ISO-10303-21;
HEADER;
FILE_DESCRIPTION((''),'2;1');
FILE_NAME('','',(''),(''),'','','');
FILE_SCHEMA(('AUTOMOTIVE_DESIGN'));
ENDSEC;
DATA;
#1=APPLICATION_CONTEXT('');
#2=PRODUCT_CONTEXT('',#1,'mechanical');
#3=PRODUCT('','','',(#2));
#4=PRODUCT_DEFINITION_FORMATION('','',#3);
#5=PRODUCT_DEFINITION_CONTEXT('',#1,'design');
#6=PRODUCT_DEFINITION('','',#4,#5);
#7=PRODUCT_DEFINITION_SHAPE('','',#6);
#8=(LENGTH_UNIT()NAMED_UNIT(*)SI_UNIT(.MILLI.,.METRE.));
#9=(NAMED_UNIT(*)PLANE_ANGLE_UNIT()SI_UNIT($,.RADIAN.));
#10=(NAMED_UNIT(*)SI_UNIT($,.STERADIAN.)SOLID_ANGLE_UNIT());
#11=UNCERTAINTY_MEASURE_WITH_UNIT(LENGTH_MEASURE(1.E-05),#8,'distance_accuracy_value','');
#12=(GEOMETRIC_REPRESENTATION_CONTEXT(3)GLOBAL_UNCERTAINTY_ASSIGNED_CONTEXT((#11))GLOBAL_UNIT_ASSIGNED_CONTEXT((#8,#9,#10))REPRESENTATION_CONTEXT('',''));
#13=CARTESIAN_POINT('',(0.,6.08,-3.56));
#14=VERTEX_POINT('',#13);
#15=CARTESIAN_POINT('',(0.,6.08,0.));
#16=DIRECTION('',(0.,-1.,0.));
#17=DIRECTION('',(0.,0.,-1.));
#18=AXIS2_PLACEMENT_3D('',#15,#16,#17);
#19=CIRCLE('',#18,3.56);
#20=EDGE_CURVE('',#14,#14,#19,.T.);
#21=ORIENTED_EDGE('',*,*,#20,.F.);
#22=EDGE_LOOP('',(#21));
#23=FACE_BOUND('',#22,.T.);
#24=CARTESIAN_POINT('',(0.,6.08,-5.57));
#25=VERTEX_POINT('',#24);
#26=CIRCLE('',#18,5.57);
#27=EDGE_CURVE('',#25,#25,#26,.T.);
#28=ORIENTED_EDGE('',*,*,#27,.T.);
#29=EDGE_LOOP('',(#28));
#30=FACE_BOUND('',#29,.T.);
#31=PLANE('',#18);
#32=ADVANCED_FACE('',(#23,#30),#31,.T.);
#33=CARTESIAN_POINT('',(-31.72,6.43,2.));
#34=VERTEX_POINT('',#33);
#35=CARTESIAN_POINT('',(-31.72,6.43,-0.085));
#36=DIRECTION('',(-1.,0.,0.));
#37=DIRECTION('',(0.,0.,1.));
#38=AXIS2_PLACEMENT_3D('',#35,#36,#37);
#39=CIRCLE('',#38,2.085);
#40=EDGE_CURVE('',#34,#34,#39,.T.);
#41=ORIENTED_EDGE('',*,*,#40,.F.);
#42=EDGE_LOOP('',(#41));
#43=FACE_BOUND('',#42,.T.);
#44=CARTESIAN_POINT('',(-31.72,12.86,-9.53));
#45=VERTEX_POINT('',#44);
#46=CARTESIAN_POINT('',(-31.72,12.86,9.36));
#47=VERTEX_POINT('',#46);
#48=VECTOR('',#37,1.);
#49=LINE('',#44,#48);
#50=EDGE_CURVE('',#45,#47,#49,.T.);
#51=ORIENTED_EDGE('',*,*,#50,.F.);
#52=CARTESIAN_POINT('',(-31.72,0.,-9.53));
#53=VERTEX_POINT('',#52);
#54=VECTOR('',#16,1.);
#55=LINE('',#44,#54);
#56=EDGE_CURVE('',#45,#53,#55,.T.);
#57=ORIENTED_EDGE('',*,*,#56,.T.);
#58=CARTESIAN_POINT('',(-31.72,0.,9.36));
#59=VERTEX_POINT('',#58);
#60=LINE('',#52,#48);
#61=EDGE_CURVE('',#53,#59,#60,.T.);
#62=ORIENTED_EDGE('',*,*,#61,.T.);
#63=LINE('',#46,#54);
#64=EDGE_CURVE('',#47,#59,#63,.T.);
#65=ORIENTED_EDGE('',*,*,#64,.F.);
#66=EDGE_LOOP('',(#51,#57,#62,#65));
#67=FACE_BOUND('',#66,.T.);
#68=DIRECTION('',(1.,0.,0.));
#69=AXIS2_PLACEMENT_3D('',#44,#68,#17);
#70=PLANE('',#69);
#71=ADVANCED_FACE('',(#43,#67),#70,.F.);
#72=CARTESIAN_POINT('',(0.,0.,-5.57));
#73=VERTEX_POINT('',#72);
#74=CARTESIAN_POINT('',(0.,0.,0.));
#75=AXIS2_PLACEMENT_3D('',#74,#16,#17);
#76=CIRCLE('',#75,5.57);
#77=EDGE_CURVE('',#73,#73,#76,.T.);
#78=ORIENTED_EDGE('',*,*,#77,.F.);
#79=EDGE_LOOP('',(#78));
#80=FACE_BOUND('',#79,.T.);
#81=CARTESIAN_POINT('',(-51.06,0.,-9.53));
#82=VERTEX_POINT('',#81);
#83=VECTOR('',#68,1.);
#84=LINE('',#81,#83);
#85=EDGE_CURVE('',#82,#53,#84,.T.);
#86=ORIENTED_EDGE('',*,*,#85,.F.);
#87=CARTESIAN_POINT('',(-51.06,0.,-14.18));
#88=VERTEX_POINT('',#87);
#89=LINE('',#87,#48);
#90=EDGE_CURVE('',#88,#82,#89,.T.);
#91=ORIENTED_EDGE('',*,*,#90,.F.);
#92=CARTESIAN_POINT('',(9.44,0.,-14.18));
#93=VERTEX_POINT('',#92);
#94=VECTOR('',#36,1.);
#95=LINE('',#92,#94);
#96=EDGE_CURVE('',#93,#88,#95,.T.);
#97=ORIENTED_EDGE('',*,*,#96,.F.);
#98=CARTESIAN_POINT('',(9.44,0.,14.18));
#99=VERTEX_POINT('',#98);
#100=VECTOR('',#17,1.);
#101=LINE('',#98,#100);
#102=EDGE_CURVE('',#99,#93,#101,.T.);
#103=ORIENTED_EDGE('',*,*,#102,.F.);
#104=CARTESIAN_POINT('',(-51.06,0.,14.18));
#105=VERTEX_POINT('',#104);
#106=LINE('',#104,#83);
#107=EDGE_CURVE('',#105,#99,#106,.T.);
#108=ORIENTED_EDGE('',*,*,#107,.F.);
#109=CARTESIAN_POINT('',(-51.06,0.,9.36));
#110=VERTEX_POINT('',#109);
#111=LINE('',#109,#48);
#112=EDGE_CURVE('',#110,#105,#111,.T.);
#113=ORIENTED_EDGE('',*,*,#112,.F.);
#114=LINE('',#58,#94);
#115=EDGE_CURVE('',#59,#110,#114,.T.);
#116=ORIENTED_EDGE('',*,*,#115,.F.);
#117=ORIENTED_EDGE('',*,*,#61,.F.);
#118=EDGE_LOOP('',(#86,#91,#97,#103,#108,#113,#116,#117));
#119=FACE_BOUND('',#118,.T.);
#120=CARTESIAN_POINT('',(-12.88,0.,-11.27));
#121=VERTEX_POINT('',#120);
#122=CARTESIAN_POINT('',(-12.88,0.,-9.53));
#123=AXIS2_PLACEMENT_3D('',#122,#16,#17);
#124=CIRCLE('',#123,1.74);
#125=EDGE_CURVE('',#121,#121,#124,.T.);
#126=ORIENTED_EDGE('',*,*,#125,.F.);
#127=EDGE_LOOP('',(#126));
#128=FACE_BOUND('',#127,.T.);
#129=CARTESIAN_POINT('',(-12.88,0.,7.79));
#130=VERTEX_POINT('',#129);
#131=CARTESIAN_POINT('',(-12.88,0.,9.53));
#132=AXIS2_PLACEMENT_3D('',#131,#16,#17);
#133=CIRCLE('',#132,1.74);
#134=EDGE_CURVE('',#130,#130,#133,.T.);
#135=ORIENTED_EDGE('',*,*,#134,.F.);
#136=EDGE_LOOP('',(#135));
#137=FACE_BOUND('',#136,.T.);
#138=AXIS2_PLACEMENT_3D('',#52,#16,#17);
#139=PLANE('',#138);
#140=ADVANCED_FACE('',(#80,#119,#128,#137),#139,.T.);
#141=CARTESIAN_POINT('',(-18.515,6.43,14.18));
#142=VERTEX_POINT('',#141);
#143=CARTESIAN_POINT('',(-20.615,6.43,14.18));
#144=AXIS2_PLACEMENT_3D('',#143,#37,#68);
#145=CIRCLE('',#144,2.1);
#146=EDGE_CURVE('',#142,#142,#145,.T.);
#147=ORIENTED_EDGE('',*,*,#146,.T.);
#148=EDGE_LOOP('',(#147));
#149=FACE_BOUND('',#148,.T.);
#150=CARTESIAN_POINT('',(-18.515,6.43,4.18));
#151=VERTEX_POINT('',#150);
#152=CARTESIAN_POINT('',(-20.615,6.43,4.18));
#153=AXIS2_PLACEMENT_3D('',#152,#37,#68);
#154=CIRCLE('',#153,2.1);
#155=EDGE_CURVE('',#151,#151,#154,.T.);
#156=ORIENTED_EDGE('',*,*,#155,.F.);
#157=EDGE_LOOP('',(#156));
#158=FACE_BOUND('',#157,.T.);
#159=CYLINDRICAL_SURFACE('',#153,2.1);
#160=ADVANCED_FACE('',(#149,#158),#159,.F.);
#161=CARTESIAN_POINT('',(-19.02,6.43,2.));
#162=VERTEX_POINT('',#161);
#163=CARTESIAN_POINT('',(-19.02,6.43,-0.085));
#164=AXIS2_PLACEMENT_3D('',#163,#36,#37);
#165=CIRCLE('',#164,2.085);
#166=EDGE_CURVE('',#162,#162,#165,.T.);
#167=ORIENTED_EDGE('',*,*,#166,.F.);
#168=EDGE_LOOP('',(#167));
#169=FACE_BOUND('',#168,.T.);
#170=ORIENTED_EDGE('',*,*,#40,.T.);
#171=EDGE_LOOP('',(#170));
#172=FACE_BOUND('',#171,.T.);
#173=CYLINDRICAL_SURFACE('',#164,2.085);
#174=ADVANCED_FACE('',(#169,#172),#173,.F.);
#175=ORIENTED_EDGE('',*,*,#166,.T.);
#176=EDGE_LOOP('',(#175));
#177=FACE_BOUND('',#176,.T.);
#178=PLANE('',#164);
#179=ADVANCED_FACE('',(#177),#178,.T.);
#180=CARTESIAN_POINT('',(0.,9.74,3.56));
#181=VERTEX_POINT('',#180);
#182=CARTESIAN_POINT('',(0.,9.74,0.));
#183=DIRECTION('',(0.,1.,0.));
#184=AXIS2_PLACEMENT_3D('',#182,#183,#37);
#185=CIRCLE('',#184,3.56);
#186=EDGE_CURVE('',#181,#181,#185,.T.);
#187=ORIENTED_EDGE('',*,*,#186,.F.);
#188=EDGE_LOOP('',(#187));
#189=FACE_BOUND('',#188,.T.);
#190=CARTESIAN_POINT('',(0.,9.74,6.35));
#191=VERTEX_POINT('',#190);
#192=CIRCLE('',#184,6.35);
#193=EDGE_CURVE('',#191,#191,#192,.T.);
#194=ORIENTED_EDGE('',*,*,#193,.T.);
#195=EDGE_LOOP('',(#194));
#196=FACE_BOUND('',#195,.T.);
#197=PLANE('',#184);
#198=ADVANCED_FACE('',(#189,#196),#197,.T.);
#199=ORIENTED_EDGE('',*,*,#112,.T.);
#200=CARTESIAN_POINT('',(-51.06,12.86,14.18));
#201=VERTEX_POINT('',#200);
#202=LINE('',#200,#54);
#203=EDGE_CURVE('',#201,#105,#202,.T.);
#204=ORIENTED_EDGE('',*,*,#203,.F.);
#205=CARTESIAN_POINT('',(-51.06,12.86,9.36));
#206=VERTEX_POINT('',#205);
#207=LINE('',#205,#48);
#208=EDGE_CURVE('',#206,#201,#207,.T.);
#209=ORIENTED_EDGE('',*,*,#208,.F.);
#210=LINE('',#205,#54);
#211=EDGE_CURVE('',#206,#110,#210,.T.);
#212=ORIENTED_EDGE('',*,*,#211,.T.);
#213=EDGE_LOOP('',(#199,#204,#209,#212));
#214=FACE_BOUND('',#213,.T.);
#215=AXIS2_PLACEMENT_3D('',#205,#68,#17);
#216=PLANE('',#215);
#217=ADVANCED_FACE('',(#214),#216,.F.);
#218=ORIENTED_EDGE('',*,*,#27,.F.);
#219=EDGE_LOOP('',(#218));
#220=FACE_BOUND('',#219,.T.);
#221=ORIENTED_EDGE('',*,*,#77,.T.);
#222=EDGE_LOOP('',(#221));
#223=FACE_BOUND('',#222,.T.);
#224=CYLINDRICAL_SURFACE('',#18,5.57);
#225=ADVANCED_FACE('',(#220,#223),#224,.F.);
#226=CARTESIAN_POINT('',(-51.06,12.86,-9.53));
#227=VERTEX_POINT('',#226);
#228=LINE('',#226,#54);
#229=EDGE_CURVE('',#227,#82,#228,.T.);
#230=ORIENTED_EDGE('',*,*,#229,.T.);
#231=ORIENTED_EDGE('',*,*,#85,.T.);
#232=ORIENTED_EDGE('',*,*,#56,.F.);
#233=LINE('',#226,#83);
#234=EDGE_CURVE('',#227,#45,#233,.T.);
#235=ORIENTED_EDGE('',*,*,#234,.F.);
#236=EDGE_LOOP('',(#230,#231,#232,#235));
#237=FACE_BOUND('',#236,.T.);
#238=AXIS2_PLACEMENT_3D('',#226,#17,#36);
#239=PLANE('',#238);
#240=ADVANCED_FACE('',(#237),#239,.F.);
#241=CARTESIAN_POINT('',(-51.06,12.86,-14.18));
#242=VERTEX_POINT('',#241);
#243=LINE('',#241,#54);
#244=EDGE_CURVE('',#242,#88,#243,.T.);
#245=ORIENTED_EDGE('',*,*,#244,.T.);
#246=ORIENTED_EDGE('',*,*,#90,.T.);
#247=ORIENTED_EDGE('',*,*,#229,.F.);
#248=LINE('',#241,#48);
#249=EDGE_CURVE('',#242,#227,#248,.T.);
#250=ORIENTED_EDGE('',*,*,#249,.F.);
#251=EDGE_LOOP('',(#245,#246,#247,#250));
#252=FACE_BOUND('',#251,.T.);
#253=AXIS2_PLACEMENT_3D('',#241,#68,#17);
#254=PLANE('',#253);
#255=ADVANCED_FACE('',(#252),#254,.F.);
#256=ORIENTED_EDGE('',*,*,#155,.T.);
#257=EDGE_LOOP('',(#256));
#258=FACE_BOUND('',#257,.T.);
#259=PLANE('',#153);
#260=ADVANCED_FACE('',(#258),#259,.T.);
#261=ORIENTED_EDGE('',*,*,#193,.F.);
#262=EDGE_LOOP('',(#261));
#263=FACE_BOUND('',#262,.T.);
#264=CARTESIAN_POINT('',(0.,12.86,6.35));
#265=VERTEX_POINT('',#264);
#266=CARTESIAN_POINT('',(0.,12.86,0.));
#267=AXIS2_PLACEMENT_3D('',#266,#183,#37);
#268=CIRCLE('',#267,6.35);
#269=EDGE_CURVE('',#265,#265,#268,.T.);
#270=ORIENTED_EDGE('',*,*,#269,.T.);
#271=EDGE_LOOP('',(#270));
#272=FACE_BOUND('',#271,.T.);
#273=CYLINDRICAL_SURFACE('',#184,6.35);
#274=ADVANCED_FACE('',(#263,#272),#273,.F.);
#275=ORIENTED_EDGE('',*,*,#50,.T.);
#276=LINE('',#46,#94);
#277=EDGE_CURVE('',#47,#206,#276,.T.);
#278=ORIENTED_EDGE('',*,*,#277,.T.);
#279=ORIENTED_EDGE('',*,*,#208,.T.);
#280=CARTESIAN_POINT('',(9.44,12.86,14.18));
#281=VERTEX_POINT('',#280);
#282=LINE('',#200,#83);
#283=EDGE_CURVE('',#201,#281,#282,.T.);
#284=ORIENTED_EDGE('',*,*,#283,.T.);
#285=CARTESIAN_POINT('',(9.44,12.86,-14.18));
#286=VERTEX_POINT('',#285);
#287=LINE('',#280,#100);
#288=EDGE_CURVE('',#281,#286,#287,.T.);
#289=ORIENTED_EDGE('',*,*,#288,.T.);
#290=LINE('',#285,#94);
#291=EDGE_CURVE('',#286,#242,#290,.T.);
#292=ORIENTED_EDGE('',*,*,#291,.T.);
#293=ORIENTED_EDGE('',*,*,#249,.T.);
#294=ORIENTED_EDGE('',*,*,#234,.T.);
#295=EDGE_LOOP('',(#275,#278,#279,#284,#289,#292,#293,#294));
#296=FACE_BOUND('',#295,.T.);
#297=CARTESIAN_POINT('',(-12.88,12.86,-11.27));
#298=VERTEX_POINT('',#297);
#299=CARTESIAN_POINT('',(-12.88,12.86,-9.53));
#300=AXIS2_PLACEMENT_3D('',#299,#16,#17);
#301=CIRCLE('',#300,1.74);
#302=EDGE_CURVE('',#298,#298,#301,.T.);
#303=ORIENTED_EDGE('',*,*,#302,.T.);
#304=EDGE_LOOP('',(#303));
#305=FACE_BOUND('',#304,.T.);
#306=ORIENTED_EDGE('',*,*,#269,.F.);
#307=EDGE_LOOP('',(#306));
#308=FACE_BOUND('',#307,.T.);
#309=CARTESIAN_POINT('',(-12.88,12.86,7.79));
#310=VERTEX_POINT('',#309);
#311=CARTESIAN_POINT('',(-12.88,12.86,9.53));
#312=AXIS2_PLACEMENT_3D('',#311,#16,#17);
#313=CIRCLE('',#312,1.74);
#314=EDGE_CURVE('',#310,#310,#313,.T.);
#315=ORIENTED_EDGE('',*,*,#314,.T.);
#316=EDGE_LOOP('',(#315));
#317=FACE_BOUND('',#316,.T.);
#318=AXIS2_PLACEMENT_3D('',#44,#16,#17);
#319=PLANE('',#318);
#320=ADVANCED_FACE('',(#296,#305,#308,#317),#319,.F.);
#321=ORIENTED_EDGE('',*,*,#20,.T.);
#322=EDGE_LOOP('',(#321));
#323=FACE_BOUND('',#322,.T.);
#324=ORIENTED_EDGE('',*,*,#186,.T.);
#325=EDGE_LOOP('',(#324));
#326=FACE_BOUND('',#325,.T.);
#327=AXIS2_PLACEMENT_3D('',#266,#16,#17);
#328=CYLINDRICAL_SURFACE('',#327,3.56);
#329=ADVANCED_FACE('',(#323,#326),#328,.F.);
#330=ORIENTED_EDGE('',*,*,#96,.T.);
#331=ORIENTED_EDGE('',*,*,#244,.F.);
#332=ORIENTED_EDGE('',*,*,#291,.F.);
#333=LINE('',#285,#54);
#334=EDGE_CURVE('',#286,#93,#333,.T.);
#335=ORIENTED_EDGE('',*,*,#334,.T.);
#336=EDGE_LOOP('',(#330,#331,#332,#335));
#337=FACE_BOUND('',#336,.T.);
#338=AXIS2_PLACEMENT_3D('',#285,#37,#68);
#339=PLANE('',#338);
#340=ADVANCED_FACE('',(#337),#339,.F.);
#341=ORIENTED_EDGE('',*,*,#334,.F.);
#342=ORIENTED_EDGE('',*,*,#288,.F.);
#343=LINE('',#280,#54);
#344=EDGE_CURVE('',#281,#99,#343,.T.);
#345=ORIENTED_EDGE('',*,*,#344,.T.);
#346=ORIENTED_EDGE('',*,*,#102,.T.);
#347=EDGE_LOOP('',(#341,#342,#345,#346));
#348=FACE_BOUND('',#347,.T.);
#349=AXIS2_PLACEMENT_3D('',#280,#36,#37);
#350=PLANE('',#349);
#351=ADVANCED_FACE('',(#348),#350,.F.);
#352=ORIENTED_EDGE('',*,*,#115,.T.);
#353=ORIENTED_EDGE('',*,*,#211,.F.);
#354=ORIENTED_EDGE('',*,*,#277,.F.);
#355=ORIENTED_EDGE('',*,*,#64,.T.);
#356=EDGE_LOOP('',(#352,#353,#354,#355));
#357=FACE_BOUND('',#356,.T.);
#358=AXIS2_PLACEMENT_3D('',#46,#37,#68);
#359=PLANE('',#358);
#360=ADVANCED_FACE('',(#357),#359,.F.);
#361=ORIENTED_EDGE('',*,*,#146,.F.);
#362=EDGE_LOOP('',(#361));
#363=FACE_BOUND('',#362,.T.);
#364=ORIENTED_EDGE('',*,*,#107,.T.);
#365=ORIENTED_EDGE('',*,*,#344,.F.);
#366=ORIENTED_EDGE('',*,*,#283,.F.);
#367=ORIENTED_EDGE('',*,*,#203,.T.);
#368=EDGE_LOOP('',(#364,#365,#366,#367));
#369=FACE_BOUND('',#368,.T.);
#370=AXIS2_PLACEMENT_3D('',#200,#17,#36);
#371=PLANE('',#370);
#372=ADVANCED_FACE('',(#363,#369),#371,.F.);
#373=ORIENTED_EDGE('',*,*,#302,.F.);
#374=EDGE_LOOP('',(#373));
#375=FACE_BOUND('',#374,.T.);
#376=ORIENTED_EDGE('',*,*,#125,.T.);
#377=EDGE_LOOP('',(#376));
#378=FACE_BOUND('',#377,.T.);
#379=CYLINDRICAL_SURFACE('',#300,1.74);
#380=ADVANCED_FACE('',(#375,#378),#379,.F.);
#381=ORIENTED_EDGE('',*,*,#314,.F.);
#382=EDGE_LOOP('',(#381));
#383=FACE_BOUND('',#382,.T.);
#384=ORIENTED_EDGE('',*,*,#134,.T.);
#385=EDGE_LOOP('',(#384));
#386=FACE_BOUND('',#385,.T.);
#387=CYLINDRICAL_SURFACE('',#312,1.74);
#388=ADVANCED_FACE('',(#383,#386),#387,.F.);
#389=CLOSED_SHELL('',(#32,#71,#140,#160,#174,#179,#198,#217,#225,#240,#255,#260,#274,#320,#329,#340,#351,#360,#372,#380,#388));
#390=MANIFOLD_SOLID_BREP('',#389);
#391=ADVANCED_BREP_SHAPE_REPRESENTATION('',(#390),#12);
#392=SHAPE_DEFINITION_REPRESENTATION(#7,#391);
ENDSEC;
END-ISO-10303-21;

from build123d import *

# Parameters (mm, degrees)
SKETCH1_R              = 3.56
BOSS_EXTRUDE1_DEPTH    = 12.86
SKETCH2_R              = 2.085
CUT_EXTRUDE1_DEPTH     = 12.7
SKETCH3_R              = 6.35
CUT_EXTRUDE2_DEPTH     = 3.12
SKETCH4_R              = 5.57
CUT_EXTRUDE3_DEPTH     = 6.08
SKETCH5_R              = 1.74
CUT_EXTRUDE4_DEPTH     = 13.86
SKETCH6_R              = 1.735
CUT_EXTRUDE_8_32_DEPTH = 5
SKETCH7_R              = 2.1
CUT_EXTRUDE5_DEPTH     = 10


with BuildPart() as part:
    # Sketch1 → Boss-Extrude1 (new body)
    with BuildSketch(Plane(origin=(0, 0, 0), x_dir=(1, 0, 0), z_dir=(0, 1, 0))):
        Polygon((-31.72, 9.53), (-31.72, -9.36), (-51.06, -9.36), (-51.06, -14.18), (9.44, -14.18), (9.44, 14.18), (-51.06, 14.18), (-51.06, 9.53), align=None)
        Circle(SKETCH1_R, mode=Mode.SUBTRACT)
    extrude(amount=BOSS_EXTRUDE1_DEPTH)

    # Sketch2 → Cut-Extrude1 (cut)
    with BuildSketch(Plane.ZY.offset(31.72)):
        with Locations((-0.085, 6.43)):
            Circle(SKETCH2_R)
    extrude(amount=-CUT_EXTRUDE1_DEPTH, mode=Mode.SUBTRACT)

    # Sketch3 → Cut-Extrude2 (cut)
    with BuildSketch(Plane(origin=(0, 12.86, 0), x_dir=(-1, 0, 0), z_dir=(0, 1, 0))):
        Circle(SKETCH3_R)
    extrude(amount=-CUT_EXTRUDE2_DEPTH, mode=Mode.SUBTRACT)

    # Sketch4 → Cut-Extrude3 (cut)
    with BuildSketch(Plane.XZ):
        Circle(SKETCH4_R)
    extrude(amount=-CUT_EXTRUDE3_DEPTH, mode=Mode.SUBTRACT)

    # Sketch5 → Cut-Extrude4 (cut, through all)
    with BuildSketch(Plane.XZ):
        with Locations((-12.88, -9.53)):
            Circle(SKETCH5_R)
        with Locations((-12.88, 9.53)):
            Circle(SKETCH5_R)
    extrude(amount=-CUT_EXTRUDE4_DEPTH, mode=Mode.SUBTRACT)

    # Sketch6 → Cut-Extrude 8-32 (cut)
    with BuildSketch(Plane.XY.offset(14.18)):
        with Locations((-20.615, 6.43)):
            Circle(SKETCH6_R)
    extrude(amount=-CUT_EXTRUDE_8_32_DEPTH, mode=Mode.SUBTRACT)

    # Sketch7 → Cut-Extrude5 (cut)
    with BuildSketch(Plane.XY.offset(14.18)):
        with Locations((-20.615, 6.43)):
            Circle(SKETCH7_R)
    extrude(amount=-CUT_EXTRUDE5_DEPTH, mode=Mode.SUBTRACT)


solid = part.part
